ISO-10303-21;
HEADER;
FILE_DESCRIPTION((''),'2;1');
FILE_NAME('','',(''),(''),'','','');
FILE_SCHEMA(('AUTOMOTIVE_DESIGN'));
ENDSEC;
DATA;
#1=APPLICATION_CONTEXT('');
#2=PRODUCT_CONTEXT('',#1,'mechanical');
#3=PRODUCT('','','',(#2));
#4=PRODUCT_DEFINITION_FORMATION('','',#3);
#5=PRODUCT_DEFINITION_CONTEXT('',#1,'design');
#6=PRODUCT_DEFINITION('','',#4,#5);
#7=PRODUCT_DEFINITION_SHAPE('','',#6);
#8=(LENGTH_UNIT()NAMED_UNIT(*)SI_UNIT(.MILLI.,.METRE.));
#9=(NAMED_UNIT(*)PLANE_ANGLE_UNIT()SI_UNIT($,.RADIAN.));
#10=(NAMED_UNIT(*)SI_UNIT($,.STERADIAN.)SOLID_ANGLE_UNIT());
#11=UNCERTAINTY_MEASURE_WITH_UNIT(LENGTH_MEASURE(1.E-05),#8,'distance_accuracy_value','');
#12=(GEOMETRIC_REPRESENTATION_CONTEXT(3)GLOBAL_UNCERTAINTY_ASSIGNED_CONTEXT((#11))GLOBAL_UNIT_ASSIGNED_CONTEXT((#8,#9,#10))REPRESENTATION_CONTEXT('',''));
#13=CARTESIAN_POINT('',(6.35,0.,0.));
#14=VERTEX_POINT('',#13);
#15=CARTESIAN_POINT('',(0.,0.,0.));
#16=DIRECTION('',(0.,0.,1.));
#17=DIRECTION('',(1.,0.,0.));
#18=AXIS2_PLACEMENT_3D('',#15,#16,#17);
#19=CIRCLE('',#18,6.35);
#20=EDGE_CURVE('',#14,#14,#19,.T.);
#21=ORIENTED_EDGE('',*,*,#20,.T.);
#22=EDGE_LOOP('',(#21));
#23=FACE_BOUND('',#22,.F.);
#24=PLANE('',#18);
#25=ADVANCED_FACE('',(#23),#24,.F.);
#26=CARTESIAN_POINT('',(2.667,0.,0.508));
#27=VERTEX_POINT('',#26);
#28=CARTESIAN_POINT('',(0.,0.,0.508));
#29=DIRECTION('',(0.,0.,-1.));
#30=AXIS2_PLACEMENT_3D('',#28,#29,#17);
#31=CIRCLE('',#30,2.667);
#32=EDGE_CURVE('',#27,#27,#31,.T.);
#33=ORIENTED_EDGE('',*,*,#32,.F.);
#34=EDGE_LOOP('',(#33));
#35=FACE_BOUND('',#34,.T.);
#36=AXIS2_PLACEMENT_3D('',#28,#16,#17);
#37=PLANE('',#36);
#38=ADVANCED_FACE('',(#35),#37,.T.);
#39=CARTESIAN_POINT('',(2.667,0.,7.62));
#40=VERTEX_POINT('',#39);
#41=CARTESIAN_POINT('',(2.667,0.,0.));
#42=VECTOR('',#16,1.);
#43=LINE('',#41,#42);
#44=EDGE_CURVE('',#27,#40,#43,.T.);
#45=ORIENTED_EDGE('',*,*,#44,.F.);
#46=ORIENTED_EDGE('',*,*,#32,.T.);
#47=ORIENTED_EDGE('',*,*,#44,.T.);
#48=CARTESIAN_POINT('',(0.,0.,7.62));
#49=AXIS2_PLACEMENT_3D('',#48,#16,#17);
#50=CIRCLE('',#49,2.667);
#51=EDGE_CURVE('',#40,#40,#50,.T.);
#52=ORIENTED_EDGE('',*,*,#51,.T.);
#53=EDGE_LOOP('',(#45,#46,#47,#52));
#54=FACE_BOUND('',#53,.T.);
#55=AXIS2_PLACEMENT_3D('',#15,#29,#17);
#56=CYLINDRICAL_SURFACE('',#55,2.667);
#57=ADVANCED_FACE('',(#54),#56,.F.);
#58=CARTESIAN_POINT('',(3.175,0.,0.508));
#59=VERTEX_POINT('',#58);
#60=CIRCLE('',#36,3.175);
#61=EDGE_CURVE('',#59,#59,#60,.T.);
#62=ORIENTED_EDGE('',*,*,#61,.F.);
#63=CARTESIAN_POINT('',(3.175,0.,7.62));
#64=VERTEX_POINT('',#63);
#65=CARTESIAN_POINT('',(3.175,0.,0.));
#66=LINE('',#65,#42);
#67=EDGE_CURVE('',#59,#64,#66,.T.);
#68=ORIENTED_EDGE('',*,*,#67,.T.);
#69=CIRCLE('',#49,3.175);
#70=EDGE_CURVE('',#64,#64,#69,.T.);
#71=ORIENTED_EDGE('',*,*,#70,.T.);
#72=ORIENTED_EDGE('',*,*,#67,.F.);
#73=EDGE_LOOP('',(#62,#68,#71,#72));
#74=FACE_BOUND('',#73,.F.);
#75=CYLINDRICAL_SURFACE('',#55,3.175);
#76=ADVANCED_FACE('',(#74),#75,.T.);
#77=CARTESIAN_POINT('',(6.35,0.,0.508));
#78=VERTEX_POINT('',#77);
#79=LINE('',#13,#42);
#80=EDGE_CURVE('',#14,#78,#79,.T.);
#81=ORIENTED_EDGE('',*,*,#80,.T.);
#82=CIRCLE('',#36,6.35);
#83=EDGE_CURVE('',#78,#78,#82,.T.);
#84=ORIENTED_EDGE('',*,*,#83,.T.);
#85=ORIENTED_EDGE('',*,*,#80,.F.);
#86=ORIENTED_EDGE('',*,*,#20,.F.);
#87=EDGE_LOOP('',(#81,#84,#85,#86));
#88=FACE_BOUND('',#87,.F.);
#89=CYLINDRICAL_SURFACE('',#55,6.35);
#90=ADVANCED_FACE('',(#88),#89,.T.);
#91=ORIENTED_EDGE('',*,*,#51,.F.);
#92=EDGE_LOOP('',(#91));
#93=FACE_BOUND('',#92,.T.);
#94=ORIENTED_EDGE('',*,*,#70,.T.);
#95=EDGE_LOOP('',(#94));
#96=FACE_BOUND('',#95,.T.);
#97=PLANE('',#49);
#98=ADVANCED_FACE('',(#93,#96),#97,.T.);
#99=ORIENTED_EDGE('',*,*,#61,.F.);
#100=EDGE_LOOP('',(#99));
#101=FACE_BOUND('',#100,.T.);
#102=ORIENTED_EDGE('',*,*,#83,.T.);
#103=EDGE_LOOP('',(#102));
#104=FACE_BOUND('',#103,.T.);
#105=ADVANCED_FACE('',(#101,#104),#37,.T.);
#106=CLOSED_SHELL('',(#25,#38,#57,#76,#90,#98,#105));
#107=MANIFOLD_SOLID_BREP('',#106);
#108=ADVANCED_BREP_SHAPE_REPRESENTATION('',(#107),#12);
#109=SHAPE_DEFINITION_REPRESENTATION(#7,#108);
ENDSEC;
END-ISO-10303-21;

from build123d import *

# Parameters (mm, degrees)
F0_R     = 3.175
F1_DEPTH = 7.62
F2_T     = -0.508
F0_R_2   = 6.35
F3_DEPTH = 0.508


with BuildPart() as f1:
    # F0 (on Top) → F1 (new body)
    with BuildSketch(Plane.XY):
        Circle(F0_R)
    extrude(amount=F1_DEPTH)

    # F2
    f2_openings = [f1.faces().sort_by_distance(p)[0] for p in [
        (0, 0, 7.62),
    ]]
    offset(amount=F2_T, openings=f2_openings)

    # F0 (on Top) → F3 (join)
    with BuildSketch(Plane.XY):
        Circle(F0_R_2)
        Circle(F0_R, mode=Mode.SUBTRACT)
    extrude(amount=F3_DEPTH)


solid = f1.part
